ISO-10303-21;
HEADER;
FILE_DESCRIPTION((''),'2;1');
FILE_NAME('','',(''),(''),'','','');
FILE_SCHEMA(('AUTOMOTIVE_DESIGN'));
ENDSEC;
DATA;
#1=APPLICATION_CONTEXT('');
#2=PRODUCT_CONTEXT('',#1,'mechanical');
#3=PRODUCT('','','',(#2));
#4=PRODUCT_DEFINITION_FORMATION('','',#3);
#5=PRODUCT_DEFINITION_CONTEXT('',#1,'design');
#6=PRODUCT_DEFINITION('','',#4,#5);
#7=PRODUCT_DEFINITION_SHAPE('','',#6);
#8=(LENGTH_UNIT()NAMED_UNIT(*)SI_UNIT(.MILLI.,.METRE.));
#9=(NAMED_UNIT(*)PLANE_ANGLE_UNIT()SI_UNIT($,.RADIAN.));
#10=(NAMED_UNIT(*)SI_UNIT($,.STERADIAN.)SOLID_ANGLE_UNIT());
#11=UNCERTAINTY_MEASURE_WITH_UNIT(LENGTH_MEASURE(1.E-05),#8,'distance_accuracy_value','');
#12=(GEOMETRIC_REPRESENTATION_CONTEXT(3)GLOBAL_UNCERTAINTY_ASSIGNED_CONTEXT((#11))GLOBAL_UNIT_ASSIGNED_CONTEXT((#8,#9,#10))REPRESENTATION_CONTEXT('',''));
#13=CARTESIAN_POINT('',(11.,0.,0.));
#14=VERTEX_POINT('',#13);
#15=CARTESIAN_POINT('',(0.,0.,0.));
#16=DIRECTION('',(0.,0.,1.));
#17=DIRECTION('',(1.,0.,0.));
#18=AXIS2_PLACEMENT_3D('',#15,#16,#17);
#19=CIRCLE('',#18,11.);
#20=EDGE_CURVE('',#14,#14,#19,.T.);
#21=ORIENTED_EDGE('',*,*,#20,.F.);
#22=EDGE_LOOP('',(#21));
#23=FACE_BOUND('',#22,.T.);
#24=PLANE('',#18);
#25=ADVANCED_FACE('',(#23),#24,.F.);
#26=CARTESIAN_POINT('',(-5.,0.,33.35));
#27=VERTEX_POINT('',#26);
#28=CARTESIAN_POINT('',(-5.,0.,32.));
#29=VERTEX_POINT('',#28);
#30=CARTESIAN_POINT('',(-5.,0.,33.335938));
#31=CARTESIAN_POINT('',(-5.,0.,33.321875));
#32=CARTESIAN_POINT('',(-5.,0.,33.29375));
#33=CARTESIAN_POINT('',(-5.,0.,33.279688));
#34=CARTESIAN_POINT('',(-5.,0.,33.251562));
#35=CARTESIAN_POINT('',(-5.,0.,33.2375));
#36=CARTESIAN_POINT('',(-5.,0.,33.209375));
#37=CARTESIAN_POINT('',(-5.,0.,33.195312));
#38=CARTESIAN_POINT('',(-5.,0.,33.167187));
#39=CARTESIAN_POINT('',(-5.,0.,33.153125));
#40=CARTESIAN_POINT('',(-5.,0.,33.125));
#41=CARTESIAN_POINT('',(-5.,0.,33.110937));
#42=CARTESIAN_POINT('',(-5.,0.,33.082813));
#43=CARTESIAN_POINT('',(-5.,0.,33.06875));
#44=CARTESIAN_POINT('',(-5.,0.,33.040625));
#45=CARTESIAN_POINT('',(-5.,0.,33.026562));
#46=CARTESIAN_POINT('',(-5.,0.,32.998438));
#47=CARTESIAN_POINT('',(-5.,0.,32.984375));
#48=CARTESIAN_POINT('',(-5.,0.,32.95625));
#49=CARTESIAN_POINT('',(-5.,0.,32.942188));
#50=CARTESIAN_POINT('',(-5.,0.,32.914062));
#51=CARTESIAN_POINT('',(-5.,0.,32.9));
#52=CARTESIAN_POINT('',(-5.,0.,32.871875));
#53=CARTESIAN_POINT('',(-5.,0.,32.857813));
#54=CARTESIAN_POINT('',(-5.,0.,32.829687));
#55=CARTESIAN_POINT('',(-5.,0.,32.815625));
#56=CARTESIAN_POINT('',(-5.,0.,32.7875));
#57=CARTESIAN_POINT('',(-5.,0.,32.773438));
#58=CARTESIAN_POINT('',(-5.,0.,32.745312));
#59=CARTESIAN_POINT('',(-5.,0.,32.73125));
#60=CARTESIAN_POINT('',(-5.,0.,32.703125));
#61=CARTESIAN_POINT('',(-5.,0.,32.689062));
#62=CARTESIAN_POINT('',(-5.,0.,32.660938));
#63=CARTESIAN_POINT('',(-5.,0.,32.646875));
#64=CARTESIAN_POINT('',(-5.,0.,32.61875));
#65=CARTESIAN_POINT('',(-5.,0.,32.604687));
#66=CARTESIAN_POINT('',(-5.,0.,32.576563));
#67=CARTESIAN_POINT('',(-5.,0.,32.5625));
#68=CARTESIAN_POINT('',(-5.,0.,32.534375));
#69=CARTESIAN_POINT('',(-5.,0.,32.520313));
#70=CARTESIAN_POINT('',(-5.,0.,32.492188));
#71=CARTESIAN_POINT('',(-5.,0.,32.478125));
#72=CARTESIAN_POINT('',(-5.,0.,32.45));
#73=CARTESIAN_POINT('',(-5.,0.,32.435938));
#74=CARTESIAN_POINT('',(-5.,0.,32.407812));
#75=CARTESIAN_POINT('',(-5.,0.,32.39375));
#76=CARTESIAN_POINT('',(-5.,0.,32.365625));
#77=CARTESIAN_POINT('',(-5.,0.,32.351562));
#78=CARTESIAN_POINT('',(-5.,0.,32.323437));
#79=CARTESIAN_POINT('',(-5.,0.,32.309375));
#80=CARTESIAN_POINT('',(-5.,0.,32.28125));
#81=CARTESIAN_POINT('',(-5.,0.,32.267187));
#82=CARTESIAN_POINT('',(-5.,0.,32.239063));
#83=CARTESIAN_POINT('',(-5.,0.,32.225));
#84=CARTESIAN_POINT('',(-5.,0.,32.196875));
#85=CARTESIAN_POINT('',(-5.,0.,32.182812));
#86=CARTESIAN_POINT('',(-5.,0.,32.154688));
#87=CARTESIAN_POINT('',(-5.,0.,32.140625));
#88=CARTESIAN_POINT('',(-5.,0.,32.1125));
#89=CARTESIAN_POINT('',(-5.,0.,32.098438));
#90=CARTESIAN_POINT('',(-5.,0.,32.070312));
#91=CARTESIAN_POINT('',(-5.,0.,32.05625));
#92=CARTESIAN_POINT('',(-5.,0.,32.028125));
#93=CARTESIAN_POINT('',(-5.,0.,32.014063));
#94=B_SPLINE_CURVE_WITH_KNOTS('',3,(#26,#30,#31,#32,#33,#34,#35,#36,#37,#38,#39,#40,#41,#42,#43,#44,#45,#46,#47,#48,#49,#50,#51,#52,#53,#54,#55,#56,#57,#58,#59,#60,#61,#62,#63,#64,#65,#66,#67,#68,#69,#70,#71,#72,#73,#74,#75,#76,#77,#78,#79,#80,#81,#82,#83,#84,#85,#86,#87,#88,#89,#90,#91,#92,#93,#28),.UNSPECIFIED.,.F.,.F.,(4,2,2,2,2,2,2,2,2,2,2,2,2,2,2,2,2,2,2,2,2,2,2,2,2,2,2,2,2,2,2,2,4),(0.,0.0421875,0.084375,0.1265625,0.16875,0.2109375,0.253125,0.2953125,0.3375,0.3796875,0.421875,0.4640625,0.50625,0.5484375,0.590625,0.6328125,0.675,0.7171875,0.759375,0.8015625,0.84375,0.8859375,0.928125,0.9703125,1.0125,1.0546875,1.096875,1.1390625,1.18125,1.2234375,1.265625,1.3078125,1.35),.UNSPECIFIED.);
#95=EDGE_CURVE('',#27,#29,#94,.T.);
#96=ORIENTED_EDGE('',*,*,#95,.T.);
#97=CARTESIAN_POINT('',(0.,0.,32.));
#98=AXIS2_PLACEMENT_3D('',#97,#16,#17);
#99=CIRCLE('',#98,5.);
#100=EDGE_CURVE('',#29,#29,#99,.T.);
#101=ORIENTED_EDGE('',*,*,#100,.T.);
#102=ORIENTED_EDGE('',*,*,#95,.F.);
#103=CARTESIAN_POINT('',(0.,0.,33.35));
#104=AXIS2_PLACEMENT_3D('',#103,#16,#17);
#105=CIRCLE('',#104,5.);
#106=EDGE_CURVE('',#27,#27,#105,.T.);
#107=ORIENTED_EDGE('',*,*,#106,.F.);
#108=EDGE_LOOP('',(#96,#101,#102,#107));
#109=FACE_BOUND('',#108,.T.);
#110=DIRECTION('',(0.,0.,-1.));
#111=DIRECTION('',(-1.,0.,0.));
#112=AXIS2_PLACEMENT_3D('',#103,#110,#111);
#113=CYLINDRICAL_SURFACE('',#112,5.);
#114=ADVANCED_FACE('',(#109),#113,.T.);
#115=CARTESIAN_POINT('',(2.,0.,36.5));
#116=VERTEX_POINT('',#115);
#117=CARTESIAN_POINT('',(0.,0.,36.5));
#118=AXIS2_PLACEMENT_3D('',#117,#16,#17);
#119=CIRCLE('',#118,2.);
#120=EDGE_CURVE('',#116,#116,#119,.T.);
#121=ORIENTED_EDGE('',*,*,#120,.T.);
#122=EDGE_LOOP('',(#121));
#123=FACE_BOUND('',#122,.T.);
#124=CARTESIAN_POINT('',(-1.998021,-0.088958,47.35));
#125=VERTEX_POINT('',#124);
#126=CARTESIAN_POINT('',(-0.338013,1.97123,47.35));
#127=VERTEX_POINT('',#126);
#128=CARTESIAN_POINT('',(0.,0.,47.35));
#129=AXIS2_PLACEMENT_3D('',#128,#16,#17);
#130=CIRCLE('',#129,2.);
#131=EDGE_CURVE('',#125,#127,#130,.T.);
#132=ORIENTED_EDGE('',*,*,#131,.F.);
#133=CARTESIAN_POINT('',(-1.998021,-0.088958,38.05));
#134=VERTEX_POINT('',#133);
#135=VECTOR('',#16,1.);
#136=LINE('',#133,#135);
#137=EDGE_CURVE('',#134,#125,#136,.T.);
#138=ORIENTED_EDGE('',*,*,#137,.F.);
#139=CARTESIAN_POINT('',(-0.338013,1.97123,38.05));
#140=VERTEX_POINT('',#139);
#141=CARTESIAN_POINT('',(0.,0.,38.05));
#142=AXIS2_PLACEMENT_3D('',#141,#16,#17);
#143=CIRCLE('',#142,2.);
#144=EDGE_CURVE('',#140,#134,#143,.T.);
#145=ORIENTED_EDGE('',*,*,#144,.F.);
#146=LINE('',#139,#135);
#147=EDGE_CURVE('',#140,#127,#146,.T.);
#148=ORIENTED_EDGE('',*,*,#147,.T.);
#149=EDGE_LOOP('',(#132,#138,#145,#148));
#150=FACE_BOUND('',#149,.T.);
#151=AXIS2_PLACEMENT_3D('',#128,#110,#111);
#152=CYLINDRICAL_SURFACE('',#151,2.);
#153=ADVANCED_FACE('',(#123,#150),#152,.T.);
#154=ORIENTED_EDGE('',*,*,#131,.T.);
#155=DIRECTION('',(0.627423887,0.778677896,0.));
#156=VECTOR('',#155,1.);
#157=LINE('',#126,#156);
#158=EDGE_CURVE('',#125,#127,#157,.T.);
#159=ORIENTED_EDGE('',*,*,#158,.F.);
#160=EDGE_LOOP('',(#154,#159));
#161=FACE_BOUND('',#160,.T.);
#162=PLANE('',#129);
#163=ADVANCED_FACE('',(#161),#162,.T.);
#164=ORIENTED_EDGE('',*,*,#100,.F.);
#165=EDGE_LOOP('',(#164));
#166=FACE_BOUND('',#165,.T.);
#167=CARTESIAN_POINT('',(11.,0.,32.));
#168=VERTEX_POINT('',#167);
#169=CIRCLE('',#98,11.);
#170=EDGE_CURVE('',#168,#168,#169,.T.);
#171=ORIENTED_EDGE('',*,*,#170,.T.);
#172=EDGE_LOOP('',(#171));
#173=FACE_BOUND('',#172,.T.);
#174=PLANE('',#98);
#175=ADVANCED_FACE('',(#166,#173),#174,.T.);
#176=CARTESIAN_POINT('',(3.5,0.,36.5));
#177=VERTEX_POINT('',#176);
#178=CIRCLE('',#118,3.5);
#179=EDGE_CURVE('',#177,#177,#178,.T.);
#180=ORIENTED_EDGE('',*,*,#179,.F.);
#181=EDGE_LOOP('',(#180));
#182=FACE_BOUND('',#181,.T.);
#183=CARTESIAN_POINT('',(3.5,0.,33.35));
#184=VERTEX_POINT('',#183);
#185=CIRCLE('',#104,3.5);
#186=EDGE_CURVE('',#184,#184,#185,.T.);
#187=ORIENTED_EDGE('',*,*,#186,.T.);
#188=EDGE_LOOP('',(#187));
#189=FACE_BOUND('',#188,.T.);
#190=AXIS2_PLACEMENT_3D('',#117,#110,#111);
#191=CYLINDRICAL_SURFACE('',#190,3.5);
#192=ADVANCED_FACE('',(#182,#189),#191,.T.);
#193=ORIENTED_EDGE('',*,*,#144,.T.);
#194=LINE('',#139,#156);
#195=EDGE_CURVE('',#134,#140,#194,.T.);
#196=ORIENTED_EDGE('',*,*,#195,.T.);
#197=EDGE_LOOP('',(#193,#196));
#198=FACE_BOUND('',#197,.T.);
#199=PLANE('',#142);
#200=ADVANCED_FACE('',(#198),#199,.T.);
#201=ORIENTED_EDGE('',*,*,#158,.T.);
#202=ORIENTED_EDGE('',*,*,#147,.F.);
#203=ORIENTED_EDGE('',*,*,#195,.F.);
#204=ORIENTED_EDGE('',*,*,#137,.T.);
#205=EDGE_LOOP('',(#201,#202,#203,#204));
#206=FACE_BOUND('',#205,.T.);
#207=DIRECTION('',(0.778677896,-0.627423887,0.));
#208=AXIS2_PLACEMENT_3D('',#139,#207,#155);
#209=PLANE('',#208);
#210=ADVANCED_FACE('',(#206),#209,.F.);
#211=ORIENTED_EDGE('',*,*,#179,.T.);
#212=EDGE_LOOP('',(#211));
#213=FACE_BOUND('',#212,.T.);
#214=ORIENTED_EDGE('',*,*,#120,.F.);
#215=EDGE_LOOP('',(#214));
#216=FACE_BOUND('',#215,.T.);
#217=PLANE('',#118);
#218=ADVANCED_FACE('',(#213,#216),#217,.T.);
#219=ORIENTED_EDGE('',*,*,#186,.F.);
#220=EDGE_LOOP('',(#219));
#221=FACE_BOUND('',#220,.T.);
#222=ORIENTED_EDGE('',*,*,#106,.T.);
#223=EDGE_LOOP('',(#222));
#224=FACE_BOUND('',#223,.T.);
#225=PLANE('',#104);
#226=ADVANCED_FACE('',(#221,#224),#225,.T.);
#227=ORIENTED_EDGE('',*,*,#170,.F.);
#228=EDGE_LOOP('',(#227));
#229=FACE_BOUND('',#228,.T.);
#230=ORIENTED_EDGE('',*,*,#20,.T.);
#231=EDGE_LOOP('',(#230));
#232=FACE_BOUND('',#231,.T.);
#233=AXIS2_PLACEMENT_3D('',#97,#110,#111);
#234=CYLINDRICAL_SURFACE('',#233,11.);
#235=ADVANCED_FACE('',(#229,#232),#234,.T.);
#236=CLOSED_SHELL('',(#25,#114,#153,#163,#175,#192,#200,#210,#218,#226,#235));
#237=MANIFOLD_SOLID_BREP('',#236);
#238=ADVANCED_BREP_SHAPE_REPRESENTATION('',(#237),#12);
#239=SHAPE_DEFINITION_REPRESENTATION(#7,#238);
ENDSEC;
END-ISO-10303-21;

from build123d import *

# Parameters (mm, degrees)
SKETCH1_R           = 11
BOSS_EXTRUDE1_DEPTH = 32
SKETCH2_R           = 5
BOSS_EXTRUDE2_DEPTH = 1.35
SKETCH3_R           = 3.5
BOSS_EXTRUDE4_DEPTH = 3.15
SKETCH4_R           = 2
BOSS_EXTRUDE5_DEPTH = 10.85
CUT_EXTRUDE1_START  = -9.3
CUT_EXTRUDE1_DEPTH  = 9.3


with BuildPart() as part:
    # Sketch1 → Boss-Extrude1 (new body)
    with BuildSketch(Plane.XY):
        Circle(SKETCH1_R)
    extrude(amount=BOSS_EXTRUDE1_DEPTH)

    # Sketch2 → Boss-Extrude2 (add)
    with BuildSketch(Plane.XY.offset(32)):
        with Locations(Location((0, 0, 0), (0, 0, 180))):
            Circle(SKETCH2_R)
    extrude(amount=BOSS_EXTRUDE2_DEPTH)

    # Sketch3 → Boss-Extrude4 (add)
    with BuildSketch(Plane.XY.offset(33.35)):
        Circle(SKETCH3_R)
    extrude(amount=BOSS_EXTRUDE4_DEPTH)

    # Sketch4 → Boss-Extrude5 (add)
    with BuildSketch(Plane.XY.offset(36.5)):
        Circle(SKETCH4_R)
    extrude(amount=BOSS_EXTRUDE5_DEPTH)

    # Sketch5 → Cut-Extrude1 (cut)
    with BuildSketch(Plane.XY.offset(47.35).offset(CUT_EXTRUDE1_START)):
        with BuildLine():
            Line((-0.338013059, 1.971229863), (-1.99802063, -0.088958203))
            ThreePointArc((-1.99802063, -0.088958203), (-1.557355793, 1.254847773), (-0.338013059, 1.971229863))
        make_face()
    extrude(amount=CUT_EXTRUDE1_DEPTH, mode=Mode.SUBTRACT)


solid = part.part
